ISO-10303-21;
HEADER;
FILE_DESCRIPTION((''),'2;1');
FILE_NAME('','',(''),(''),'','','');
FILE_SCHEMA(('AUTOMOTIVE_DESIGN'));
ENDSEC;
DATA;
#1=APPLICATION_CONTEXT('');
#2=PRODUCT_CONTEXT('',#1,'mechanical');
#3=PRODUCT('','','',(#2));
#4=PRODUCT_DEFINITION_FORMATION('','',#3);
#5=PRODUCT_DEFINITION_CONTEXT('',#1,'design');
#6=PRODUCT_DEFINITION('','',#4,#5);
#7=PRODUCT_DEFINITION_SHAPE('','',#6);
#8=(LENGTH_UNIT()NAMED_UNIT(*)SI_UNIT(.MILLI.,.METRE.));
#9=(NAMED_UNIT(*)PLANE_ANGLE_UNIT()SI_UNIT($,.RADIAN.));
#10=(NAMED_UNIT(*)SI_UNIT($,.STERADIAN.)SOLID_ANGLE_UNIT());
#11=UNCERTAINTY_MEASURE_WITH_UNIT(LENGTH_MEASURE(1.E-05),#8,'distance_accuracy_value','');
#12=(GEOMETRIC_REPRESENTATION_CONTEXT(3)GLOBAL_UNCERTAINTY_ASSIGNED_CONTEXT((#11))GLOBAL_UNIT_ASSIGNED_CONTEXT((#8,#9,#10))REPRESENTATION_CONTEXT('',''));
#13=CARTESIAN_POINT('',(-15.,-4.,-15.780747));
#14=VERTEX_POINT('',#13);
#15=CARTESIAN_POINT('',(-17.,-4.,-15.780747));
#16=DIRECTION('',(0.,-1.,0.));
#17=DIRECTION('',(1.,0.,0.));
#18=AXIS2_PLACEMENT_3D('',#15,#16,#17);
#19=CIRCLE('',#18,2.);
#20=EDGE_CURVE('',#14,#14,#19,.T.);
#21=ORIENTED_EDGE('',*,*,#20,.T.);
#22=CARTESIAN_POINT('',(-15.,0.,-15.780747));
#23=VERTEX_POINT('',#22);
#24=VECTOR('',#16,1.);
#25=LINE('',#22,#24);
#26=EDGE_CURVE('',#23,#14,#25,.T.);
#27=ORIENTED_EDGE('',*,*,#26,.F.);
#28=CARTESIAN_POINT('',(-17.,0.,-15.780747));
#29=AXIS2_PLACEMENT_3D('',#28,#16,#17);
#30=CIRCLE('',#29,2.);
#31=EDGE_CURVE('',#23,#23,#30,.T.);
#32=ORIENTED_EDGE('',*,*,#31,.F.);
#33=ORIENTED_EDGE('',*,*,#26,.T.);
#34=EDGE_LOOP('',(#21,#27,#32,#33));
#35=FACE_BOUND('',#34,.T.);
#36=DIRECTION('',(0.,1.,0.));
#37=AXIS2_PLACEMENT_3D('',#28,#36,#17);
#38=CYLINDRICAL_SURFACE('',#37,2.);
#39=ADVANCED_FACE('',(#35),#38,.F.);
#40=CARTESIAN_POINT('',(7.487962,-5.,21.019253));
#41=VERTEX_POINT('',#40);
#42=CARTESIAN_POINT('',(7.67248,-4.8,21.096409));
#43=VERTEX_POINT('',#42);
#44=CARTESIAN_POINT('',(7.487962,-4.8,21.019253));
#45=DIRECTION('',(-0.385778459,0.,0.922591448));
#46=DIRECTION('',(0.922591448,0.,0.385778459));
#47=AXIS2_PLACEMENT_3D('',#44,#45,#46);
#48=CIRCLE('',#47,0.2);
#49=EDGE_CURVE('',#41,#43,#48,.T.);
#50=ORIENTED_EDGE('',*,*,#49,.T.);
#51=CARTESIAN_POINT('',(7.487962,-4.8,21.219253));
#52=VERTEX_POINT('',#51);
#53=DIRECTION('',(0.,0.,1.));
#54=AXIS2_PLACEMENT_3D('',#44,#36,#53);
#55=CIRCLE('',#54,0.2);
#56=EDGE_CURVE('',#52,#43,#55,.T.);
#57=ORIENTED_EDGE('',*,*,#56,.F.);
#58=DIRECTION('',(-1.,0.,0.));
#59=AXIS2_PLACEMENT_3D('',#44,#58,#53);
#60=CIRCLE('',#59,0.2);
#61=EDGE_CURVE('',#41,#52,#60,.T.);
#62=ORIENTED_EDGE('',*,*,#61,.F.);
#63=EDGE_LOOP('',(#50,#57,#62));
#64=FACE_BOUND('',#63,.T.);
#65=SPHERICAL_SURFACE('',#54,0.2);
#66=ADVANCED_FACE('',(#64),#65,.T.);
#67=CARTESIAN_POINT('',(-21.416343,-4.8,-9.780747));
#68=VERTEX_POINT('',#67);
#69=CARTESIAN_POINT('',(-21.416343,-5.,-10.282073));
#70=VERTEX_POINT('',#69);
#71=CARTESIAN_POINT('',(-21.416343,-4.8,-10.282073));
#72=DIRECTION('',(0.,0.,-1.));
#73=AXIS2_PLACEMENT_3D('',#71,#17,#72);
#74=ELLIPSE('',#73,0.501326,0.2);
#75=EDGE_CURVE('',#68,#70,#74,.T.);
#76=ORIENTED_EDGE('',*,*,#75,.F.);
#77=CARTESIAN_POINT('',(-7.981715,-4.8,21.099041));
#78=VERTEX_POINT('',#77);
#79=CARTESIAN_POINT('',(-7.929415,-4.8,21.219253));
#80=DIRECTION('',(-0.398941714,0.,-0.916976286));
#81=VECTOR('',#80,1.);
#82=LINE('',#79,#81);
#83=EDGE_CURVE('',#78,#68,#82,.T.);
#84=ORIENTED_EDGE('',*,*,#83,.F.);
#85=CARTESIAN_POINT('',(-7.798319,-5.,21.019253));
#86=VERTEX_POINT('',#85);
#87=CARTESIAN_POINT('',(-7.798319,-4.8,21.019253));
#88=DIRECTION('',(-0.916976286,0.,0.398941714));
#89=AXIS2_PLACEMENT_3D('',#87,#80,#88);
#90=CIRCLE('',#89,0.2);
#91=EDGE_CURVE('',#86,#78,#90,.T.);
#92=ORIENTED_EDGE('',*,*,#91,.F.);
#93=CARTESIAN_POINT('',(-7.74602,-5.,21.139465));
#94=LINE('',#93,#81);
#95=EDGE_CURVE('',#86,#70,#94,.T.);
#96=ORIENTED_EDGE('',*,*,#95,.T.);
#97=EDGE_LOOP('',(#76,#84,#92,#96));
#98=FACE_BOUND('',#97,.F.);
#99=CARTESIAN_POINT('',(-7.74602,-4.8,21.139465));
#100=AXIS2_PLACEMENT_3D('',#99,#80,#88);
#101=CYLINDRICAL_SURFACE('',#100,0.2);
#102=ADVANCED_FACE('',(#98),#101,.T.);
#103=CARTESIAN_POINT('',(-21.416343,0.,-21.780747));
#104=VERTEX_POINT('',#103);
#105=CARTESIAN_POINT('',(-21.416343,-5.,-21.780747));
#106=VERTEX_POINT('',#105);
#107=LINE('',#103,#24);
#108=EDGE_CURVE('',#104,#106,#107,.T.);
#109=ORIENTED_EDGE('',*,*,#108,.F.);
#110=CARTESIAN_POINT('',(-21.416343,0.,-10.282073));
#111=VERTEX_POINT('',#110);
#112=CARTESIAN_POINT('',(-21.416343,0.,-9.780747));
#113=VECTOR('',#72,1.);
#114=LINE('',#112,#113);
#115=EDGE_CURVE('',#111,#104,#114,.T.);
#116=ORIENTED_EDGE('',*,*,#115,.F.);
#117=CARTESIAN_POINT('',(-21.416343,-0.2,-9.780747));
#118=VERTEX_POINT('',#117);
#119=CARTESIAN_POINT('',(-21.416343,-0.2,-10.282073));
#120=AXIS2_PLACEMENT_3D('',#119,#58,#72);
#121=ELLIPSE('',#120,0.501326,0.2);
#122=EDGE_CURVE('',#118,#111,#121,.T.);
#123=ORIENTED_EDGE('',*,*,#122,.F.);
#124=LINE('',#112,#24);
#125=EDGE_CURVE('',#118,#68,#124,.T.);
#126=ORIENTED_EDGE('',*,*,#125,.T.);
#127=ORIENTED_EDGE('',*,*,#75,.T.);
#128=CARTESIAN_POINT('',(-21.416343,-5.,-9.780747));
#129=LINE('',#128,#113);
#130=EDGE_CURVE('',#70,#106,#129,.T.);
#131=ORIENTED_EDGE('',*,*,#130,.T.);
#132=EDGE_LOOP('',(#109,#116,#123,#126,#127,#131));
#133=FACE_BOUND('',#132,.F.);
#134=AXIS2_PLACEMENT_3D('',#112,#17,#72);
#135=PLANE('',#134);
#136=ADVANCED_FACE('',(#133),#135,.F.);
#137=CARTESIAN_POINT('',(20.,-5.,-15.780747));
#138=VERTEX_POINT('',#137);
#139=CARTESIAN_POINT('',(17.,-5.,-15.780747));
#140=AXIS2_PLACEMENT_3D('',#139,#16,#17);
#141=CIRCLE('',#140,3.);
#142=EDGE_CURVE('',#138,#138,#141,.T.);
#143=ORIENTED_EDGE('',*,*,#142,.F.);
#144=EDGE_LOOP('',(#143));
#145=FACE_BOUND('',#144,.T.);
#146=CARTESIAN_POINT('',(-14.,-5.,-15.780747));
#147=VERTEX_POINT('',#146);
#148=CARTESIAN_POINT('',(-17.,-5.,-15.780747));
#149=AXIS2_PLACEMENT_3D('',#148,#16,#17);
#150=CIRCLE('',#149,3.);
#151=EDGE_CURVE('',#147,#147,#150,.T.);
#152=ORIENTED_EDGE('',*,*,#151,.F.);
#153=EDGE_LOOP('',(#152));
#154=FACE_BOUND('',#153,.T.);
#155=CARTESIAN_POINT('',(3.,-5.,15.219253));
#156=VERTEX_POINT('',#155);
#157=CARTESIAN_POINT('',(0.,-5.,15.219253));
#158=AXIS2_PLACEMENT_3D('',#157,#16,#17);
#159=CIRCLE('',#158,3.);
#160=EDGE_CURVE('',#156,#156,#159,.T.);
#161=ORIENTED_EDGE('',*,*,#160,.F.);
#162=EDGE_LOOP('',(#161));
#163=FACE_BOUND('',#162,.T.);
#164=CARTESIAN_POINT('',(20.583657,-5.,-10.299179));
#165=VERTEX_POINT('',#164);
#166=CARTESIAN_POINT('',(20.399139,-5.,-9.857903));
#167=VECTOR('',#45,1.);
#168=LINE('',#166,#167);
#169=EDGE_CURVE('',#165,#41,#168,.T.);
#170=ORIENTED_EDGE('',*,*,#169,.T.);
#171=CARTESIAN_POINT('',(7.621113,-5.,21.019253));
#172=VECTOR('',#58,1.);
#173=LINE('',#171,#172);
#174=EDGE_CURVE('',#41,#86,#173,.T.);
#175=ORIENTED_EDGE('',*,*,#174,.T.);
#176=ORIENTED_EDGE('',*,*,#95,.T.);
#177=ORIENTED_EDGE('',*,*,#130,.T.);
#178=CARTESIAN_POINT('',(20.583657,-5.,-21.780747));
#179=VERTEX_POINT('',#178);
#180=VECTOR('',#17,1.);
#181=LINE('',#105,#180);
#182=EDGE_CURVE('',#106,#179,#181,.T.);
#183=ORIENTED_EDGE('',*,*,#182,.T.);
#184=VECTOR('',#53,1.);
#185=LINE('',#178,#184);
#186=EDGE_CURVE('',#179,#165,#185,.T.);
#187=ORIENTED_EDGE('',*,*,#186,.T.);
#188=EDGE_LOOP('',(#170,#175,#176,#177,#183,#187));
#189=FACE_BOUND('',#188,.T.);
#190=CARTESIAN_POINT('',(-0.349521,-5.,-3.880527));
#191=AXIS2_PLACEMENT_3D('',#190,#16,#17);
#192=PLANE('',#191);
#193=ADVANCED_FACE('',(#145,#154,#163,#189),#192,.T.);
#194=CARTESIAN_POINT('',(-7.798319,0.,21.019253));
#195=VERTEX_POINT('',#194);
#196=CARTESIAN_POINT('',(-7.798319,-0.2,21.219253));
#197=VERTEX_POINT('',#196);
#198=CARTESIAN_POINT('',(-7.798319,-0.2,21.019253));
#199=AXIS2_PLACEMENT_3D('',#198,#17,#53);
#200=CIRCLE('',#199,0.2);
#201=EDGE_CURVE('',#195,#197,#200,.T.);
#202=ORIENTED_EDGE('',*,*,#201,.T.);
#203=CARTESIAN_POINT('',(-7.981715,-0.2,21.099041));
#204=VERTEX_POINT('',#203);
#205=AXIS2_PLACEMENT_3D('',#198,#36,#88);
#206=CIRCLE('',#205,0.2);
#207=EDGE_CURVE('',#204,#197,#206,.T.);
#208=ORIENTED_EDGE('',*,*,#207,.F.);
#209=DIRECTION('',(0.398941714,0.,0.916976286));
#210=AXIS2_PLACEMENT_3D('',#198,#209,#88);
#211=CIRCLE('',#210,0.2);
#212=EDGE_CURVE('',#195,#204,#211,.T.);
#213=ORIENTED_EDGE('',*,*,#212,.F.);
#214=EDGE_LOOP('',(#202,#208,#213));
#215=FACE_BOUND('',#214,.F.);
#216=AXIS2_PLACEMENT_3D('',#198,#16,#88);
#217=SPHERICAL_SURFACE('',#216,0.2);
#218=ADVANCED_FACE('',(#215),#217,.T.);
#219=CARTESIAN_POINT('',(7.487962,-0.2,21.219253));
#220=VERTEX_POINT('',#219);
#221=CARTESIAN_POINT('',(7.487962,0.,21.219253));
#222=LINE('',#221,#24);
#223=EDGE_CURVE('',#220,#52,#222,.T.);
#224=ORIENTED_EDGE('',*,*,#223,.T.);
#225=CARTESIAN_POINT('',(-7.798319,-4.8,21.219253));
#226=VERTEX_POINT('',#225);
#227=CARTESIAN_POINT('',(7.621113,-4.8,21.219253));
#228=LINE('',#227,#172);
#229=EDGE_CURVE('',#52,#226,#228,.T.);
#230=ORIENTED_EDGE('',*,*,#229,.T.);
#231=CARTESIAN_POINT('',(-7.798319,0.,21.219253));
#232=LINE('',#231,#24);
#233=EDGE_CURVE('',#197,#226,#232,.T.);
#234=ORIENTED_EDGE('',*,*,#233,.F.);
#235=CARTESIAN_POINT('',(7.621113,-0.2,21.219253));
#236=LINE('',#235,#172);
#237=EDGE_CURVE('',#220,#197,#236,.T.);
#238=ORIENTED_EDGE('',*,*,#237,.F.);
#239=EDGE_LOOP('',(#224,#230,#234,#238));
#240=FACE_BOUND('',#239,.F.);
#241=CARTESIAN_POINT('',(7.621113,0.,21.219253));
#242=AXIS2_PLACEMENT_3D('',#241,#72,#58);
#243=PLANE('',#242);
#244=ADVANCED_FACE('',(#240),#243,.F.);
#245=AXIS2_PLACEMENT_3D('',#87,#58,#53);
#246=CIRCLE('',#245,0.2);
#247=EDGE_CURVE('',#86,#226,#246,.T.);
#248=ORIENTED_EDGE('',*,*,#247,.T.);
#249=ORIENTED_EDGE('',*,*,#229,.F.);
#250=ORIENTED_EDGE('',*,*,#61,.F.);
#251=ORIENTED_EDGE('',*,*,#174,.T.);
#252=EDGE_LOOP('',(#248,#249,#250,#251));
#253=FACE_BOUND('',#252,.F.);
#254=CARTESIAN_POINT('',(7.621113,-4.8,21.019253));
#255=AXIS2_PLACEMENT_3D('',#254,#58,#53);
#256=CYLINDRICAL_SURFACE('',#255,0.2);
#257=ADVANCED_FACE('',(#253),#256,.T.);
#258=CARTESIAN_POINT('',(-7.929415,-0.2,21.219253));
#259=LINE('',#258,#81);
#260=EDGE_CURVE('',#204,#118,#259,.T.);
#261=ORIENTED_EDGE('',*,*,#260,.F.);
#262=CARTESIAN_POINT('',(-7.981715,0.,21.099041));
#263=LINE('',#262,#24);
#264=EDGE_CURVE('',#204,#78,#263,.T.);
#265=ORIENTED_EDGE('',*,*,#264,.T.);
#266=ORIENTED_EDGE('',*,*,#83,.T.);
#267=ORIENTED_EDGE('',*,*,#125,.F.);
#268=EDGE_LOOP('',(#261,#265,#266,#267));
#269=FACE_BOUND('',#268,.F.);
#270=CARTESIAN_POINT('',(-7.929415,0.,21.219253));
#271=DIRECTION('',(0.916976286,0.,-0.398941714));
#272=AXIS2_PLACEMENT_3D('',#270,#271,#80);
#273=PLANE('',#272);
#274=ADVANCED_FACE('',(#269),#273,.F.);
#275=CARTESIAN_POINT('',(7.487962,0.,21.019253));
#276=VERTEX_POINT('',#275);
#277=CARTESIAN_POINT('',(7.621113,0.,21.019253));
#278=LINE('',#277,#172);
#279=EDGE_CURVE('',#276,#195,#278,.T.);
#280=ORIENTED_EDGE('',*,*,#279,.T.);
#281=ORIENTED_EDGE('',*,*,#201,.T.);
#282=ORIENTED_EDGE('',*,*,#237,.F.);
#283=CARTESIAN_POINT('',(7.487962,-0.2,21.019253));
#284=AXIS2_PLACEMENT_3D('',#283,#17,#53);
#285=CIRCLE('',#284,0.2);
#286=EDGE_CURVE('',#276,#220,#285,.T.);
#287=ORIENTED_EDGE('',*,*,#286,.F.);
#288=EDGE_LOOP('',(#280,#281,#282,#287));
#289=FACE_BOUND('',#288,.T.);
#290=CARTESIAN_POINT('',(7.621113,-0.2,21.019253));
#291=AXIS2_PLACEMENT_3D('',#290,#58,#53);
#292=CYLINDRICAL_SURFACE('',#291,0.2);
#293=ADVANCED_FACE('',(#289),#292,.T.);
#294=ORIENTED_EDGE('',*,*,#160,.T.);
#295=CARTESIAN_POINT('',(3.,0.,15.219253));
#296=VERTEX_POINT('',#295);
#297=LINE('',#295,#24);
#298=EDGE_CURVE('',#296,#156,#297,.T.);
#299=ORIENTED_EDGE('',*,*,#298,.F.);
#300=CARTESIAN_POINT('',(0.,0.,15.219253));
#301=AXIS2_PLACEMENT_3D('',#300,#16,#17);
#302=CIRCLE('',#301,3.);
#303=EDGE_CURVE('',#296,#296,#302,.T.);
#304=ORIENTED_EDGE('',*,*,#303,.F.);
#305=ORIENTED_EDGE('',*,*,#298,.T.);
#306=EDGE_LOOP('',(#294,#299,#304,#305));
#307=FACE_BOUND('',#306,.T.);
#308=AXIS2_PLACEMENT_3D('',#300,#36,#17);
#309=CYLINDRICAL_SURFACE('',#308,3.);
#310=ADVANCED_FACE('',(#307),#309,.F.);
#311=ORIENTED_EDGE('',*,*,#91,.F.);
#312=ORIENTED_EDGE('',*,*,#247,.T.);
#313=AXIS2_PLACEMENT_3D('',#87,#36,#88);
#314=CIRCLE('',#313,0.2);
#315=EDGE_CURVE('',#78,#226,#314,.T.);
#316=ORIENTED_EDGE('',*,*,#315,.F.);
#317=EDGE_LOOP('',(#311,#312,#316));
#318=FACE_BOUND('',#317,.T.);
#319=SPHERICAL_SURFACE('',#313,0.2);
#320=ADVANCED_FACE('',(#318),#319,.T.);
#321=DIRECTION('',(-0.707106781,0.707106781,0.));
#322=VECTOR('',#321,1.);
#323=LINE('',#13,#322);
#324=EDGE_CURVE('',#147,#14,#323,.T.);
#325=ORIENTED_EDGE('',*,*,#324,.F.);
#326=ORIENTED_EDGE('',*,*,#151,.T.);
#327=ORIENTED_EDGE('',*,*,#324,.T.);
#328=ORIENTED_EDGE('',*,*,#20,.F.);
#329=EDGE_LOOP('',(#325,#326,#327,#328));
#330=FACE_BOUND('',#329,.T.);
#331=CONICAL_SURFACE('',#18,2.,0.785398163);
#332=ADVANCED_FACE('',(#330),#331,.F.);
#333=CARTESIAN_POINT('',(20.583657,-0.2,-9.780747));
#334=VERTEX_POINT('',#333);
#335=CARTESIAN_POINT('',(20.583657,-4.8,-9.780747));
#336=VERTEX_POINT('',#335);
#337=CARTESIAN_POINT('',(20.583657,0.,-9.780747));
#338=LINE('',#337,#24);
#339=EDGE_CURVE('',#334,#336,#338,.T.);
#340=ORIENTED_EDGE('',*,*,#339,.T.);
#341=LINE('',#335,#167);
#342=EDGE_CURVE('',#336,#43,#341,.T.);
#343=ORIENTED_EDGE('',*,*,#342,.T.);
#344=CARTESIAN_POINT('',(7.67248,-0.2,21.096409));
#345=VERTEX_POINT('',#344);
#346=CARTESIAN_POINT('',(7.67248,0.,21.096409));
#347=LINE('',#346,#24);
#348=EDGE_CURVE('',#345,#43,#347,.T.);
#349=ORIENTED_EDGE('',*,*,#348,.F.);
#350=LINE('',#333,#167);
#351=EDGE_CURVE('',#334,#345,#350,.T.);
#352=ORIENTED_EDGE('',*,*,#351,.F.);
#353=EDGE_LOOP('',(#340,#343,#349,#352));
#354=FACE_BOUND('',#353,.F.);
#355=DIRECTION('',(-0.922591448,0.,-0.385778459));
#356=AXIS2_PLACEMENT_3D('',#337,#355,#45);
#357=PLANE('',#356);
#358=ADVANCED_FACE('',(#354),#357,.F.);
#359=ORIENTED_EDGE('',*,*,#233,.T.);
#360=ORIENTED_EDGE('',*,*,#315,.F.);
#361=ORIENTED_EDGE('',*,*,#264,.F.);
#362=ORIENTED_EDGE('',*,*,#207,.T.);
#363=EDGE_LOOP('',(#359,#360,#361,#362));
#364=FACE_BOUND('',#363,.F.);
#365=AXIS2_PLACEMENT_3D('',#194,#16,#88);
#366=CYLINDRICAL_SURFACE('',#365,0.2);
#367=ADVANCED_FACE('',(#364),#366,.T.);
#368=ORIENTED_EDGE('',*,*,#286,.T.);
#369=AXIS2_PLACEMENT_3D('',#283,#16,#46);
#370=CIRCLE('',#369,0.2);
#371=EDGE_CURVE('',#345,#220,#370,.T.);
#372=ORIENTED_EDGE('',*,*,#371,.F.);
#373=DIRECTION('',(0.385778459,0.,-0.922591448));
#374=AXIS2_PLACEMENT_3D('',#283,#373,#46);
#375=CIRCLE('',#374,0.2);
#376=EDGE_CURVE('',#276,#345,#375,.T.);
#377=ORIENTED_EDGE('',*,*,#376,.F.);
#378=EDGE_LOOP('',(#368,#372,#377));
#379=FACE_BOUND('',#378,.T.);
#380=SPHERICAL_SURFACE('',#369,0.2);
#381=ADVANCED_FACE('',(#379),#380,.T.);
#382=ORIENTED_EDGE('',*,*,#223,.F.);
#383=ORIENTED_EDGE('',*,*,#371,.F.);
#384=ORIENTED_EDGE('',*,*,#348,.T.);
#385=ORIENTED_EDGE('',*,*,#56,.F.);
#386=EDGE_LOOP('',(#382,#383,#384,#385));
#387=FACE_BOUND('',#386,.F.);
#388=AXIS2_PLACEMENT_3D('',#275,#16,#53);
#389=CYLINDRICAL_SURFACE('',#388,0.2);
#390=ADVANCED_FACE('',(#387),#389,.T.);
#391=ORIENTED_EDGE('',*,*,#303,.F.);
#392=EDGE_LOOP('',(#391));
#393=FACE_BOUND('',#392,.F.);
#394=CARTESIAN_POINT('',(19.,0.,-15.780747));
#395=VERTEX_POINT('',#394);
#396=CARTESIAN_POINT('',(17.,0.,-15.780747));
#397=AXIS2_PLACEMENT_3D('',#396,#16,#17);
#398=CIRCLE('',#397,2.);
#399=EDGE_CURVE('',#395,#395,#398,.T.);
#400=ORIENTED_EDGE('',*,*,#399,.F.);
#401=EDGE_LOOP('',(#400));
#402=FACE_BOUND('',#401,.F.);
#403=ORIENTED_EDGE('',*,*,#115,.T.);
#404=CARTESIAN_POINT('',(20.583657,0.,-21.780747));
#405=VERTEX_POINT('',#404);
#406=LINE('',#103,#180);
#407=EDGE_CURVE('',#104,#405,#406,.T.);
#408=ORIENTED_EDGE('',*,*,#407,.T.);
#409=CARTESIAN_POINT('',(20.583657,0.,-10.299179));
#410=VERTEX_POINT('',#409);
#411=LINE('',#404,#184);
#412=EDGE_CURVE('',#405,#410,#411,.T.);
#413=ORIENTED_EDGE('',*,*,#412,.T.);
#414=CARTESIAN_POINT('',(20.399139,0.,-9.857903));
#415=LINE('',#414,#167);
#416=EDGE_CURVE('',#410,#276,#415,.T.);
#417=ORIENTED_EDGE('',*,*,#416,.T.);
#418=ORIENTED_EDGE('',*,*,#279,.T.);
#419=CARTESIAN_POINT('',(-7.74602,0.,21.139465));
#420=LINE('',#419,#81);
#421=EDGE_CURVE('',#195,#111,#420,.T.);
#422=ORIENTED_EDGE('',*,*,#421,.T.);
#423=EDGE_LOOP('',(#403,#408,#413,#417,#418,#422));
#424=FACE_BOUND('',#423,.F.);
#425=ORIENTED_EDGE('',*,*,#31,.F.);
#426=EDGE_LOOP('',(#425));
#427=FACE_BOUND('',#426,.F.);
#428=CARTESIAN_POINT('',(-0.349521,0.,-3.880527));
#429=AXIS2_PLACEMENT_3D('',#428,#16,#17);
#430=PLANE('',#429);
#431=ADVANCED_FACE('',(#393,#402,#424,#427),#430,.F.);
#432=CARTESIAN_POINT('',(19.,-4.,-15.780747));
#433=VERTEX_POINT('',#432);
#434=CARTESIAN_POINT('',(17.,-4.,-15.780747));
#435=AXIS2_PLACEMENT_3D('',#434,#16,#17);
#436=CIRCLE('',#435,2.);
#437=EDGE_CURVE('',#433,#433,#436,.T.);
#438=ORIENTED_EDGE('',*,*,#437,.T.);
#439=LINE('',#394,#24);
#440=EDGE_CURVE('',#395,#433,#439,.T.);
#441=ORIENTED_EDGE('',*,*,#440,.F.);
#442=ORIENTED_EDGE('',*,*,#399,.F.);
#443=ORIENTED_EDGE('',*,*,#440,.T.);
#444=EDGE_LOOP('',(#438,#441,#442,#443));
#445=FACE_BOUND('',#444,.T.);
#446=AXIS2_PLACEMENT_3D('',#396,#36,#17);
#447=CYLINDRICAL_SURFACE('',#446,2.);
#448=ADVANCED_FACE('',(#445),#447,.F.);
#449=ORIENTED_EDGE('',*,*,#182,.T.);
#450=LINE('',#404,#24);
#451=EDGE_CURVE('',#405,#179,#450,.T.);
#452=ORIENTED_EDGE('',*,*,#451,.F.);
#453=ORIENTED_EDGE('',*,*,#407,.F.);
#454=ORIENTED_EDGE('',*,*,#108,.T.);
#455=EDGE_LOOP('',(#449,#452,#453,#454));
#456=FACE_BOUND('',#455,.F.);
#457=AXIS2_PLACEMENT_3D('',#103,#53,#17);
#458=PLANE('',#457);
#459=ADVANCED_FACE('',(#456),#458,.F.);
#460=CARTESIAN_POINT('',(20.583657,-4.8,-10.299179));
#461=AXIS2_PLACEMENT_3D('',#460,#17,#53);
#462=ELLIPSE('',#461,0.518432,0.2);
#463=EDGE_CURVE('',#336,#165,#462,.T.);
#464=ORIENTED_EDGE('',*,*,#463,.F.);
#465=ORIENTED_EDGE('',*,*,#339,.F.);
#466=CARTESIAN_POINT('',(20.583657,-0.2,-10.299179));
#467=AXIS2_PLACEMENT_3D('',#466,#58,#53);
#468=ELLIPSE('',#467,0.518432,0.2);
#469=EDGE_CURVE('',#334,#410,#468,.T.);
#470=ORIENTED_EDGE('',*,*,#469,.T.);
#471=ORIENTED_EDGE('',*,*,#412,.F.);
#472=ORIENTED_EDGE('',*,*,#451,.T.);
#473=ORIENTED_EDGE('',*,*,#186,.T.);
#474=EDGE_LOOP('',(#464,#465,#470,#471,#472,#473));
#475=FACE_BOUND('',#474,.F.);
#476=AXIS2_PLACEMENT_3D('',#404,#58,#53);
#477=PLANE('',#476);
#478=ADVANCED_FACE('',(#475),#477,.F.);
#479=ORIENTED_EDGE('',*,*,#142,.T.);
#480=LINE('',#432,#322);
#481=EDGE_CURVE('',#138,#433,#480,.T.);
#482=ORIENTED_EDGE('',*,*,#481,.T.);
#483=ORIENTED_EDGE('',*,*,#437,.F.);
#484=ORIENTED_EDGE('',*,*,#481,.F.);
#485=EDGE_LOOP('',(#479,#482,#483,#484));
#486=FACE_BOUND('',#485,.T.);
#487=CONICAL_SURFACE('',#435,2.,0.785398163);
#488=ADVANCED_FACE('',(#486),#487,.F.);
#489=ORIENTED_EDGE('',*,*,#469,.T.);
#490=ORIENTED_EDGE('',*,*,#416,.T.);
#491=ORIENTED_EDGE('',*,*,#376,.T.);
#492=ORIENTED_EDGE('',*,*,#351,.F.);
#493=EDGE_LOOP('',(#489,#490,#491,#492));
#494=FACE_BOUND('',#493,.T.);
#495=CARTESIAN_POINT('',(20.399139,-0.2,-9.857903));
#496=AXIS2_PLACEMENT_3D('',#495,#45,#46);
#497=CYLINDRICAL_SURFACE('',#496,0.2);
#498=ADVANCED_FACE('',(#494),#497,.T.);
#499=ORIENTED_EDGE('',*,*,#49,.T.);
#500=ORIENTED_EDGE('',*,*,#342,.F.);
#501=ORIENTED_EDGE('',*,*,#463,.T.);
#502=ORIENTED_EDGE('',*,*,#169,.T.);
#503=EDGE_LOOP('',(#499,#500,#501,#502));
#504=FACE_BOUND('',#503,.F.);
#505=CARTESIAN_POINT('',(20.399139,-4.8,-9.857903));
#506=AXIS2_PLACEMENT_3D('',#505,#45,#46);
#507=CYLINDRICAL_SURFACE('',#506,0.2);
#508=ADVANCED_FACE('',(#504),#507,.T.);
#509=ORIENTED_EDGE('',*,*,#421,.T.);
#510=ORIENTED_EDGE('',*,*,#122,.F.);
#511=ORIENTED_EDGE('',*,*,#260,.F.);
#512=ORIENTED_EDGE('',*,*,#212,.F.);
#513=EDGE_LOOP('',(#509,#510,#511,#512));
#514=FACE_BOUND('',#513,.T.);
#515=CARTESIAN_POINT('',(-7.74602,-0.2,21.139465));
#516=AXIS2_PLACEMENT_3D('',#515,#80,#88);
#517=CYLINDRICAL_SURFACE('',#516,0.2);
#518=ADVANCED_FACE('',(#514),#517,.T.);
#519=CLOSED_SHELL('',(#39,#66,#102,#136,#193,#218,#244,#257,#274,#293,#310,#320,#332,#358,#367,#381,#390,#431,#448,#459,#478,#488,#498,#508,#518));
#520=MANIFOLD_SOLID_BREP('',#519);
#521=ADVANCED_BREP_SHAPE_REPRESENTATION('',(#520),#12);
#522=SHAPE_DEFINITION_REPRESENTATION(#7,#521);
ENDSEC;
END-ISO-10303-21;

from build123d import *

# Parameters (mm, degrees)
F0_R     = 2
F0_R_2   = 3
F1_DEPTH = 5
F2_R     = 0.2
F3_SIZE  = 1


with BuildPart() as f1:
    # F0 (on Front) → F1 (new body)
    with BuildSketch(Plane.XZ):
        Polygon((-21.416343, -9.780747), (-21.416343, -21.780747), (20.583657, -21.780747), (20.583657, -9.780747), (7.621113, 21.219253), (-7.929415, 21.219253), align=None)
        with Locations((-17, -15.780747)):
            Circle(F0_R, mode=Mode.SUBTRACT)
        with Locations((17, -15.780747)):
            Circle(F0_R, mode=Mode.SUBTRACT)
        with Locations((0, 15.219253)):
            Circle(F0_R_2, mode=Mode.SUBTRACT)
    extrude(amount=F1_DEPTH)

    # F2
    f2_edges = [f1.edges().sort_by_distance(p)[0] for p in [
        (-14.672879, -5, 5.719253),
        (-0.154151, -5, 21.219253),
        (14.102385, -5, 5.719253),
        (14.102385, 0, 5.719253),
        (-0.154151, 0, 21.219253),
        (7.621113, -2.5, 21.219253),
        (-7.929415, -2.5, 21.219253),
        (-14.672879, 0, 5.719253),
    ]]
    fillet(f2_edges, radius=F2_R)

    # F3
    f3_edges = [f1.edges().sort_by_distance(p)[0] for p in [
        (-19, -5, -15.780747),
        (15, -5, -15.780747),
    ]]
    chamfer(f3_edges, length=F3_SIZE)


solid = f1.part
